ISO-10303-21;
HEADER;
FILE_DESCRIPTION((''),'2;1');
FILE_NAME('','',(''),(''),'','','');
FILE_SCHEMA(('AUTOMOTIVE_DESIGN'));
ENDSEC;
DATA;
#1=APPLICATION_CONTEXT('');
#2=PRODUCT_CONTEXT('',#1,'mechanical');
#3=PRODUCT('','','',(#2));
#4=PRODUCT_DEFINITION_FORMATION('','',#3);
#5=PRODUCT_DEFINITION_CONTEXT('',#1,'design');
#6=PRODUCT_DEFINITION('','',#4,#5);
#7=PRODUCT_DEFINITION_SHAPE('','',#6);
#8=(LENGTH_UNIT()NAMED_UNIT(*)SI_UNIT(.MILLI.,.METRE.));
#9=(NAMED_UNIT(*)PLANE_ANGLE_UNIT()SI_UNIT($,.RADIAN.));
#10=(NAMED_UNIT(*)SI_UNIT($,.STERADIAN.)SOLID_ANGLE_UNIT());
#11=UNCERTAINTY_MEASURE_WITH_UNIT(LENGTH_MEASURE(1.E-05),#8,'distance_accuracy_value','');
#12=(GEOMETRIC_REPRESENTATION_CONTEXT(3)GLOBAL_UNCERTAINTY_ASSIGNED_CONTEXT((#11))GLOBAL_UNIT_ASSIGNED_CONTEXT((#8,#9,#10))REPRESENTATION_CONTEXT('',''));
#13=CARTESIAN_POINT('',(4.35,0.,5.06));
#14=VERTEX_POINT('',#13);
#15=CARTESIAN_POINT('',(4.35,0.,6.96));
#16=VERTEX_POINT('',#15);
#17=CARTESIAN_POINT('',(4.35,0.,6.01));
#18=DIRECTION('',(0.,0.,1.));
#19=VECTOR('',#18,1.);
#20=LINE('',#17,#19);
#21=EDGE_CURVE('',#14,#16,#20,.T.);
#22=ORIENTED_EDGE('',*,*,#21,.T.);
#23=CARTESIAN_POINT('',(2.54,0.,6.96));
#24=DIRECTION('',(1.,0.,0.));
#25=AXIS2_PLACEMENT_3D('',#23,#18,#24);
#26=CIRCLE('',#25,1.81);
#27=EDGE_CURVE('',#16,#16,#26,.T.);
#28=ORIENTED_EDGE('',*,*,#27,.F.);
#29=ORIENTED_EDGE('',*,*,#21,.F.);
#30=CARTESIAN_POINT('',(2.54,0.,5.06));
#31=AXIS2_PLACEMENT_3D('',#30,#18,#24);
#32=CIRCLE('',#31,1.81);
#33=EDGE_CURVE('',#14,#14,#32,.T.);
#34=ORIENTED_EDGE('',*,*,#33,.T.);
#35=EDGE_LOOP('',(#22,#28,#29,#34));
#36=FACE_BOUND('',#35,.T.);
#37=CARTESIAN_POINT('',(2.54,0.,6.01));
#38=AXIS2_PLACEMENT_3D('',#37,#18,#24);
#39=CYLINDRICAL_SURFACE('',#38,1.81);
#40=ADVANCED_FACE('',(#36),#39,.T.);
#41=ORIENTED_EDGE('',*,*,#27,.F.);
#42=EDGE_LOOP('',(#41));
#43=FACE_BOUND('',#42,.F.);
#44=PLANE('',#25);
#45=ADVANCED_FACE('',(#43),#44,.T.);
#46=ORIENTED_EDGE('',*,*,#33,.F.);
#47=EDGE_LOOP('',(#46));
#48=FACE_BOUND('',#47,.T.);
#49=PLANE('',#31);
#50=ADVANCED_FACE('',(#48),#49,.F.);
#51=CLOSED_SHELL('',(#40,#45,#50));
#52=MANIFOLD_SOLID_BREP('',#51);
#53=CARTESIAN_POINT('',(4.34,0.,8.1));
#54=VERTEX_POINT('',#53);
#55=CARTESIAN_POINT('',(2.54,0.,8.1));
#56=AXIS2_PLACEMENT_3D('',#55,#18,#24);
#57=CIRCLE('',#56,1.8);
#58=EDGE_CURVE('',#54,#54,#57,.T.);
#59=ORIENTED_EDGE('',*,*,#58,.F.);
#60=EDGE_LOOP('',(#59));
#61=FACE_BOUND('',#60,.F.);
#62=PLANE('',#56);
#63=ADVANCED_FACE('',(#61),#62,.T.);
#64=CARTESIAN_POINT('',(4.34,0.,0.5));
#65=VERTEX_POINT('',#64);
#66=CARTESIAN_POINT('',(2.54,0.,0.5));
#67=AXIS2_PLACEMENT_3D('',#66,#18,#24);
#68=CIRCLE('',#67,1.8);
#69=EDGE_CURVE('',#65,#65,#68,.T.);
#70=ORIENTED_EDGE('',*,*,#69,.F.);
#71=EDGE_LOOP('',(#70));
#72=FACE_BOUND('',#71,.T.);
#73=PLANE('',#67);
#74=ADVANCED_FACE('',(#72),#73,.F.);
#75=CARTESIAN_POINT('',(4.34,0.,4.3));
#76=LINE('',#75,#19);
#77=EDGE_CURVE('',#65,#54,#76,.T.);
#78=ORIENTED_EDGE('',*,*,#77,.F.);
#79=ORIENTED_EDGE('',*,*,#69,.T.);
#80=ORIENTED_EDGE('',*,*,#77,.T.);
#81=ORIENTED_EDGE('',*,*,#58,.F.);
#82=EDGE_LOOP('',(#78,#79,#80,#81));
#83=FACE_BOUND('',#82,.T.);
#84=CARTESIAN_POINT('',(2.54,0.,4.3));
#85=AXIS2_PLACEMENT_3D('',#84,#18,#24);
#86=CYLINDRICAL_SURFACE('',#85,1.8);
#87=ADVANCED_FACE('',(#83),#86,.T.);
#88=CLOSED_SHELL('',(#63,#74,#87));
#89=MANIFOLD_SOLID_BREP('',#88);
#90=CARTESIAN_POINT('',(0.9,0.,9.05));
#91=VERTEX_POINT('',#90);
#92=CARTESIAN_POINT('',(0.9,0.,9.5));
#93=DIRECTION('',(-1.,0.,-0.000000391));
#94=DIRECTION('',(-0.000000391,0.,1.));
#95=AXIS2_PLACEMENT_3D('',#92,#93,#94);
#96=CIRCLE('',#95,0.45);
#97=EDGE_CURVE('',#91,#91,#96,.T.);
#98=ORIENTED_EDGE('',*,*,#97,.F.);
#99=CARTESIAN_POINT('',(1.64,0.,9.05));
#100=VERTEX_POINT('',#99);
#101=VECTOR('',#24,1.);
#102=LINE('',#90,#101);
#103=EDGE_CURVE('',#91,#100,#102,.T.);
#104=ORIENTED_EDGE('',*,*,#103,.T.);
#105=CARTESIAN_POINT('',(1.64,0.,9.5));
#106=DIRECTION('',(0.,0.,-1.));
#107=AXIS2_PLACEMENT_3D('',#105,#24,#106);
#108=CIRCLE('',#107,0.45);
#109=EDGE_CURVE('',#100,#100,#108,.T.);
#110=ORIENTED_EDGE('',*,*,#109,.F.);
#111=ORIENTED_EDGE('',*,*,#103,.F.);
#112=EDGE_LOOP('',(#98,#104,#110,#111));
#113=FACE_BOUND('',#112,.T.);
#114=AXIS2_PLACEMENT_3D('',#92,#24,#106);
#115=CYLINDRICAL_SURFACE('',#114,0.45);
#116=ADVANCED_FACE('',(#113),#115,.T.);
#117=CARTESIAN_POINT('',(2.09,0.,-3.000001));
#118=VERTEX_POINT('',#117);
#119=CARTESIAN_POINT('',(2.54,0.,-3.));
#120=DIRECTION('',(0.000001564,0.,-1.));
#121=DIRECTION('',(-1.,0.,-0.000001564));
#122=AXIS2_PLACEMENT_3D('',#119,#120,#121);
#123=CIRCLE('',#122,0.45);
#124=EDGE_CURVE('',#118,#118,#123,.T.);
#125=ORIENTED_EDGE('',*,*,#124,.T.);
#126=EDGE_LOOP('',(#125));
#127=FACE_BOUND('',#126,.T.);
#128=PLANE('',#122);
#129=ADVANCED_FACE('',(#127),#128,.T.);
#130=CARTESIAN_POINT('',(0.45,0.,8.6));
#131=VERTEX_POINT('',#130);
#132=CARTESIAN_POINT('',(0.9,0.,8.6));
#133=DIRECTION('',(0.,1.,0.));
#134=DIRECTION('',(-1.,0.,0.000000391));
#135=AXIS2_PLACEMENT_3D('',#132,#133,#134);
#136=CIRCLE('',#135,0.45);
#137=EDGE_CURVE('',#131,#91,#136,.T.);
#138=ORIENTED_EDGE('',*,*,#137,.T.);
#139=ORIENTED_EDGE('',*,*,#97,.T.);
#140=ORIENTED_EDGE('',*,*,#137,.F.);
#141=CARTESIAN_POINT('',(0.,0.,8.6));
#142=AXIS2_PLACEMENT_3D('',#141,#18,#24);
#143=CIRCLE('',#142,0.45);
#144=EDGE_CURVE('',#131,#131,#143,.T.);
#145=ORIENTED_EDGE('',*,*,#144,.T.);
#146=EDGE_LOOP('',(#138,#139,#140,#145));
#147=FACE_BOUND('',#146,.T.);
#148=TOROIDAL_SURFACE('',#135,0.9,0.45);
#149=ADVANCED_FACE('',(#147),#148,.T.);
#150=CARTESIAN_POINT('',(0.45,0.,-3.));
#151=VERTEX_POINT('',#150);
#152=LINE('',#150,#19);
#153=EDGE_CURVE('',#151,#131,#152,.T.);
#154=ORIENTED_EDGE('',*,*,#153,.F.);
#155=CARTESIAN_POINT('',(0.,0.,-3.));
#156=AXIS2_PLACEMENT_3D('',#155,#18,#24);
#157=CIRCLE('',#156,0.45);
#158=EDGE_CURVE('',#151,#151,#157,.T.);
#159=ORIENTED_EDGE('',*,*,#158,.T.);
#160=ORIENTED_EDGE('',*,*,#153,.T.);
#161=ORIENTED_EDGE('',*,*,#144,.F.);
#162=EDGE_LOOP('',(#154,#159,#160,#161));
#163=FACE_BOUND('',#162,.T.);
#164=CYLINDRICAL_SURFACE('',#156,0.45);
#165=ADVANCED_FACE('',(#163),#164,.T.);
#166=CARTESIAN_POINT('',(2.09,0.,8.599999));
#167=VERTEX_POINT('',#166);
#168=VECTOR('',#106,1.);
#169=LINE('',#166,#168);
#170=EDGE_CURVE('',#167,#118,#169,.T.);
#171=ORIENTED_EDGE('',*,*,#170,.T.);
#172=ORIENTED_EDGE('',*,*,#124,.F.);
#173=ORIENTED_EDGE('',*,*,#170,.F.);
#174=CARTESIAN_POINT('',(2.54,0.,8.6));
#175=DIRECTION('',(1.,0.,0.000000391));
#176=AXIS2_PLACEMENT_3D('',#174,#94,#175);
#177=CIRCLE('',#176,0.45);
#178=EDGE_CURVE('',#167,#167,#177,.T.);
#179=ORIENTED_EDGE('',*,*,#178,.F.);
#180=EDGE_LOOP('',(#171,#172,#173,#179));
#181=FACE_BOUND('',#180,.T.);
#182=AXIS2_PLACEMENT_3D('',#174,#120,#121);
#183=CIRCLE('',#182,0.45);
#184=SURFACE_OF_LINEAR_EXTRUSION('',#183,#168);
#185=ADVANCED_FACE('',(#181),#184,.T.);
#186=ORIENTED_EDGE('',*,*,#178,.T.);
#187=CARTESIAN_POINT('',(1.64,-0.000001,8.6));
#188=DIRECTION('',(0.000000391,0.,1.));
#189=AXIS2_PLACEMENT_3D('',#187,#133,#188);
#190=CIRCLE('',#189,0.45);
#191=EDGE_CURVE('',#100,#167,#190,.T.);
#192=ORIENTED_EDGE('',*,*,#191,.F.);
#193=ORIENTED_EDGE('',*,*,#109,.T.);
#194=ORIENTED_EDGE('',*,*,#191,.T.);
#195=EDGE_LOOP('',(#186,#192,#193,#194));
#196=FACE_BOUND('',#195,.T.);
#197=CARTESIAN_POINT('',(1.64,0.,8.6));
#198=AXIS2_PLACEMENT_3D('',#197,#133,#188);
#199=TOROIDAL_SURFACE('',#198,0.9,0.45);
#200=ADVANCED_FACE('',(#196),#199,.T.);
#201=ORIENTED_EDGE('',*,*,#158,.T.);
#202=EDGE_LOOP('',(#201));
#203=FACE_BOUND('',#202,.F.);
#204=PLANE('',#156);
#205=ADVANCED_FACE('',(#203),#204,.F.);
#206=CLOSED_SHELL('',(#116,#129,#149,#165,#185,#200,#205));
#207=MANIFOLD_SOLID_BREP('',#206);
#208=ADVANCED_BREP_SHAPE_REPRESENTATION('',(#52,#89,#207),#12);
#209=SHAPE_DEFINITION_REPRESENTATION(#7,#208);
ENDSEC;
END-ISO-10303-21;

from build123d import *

# Parameters (mm, degrees)
SKETCH001_R = 0.45
SKETCH002_W = 1.8
SKETCH002_H = 7.6
SKETCH003_W = 1.81
SKETCH003_H = 1.9


with BuildPart() as sweep_body:
    # Sweep: sweep along a path in Sketch
    with BuildLine(Plane.XZ) as sweep_path:
        Line((0, -3), (0, 8.6))
        ThreePointArc((0, 8.6), (0.263604, 9.236396), (0.9, 9.5))
        Line((0.9, 9.5), (1.64, 9.5))
        ThreePointArc((1.64, 9.5), (2.276396, 9.236396), (2.54, 8.6))
        Line((2.54, 8.6), (2.54, -3))
    # Sketch001 → Sweep (sweep)
    with BuildSketch(Plane.XY):
        Circle(SKETCH001_R)
    sweep(path=sweep_path.line)


with BuildPart() as revolution:
    # Sketch002 → Revolution (revolve)
    with BuildSketch(Plane.XZ):
        with Locations((3.44, 4.3)):
            Rectangle(SKETCH002_W, SKETCH002_H)
    revolve(axis=Axis((2.54, 0, 0.5), (0, 0, 1)))


with BuildPart() as revolution001:
    # Sketch003 → Revolution001 (revolve)
    with BuildSketch(Plane.XZ):
        with Locations((3.445, 6.01)):
            Rectangle(SKETCH003_W, SKETCH003_H)
    revolve(axis=Axis((2.54, 0, 5.06), (0, 0, 1)))


solid = Compound([sweep_body.part, revolution.part, revolution001.part])
